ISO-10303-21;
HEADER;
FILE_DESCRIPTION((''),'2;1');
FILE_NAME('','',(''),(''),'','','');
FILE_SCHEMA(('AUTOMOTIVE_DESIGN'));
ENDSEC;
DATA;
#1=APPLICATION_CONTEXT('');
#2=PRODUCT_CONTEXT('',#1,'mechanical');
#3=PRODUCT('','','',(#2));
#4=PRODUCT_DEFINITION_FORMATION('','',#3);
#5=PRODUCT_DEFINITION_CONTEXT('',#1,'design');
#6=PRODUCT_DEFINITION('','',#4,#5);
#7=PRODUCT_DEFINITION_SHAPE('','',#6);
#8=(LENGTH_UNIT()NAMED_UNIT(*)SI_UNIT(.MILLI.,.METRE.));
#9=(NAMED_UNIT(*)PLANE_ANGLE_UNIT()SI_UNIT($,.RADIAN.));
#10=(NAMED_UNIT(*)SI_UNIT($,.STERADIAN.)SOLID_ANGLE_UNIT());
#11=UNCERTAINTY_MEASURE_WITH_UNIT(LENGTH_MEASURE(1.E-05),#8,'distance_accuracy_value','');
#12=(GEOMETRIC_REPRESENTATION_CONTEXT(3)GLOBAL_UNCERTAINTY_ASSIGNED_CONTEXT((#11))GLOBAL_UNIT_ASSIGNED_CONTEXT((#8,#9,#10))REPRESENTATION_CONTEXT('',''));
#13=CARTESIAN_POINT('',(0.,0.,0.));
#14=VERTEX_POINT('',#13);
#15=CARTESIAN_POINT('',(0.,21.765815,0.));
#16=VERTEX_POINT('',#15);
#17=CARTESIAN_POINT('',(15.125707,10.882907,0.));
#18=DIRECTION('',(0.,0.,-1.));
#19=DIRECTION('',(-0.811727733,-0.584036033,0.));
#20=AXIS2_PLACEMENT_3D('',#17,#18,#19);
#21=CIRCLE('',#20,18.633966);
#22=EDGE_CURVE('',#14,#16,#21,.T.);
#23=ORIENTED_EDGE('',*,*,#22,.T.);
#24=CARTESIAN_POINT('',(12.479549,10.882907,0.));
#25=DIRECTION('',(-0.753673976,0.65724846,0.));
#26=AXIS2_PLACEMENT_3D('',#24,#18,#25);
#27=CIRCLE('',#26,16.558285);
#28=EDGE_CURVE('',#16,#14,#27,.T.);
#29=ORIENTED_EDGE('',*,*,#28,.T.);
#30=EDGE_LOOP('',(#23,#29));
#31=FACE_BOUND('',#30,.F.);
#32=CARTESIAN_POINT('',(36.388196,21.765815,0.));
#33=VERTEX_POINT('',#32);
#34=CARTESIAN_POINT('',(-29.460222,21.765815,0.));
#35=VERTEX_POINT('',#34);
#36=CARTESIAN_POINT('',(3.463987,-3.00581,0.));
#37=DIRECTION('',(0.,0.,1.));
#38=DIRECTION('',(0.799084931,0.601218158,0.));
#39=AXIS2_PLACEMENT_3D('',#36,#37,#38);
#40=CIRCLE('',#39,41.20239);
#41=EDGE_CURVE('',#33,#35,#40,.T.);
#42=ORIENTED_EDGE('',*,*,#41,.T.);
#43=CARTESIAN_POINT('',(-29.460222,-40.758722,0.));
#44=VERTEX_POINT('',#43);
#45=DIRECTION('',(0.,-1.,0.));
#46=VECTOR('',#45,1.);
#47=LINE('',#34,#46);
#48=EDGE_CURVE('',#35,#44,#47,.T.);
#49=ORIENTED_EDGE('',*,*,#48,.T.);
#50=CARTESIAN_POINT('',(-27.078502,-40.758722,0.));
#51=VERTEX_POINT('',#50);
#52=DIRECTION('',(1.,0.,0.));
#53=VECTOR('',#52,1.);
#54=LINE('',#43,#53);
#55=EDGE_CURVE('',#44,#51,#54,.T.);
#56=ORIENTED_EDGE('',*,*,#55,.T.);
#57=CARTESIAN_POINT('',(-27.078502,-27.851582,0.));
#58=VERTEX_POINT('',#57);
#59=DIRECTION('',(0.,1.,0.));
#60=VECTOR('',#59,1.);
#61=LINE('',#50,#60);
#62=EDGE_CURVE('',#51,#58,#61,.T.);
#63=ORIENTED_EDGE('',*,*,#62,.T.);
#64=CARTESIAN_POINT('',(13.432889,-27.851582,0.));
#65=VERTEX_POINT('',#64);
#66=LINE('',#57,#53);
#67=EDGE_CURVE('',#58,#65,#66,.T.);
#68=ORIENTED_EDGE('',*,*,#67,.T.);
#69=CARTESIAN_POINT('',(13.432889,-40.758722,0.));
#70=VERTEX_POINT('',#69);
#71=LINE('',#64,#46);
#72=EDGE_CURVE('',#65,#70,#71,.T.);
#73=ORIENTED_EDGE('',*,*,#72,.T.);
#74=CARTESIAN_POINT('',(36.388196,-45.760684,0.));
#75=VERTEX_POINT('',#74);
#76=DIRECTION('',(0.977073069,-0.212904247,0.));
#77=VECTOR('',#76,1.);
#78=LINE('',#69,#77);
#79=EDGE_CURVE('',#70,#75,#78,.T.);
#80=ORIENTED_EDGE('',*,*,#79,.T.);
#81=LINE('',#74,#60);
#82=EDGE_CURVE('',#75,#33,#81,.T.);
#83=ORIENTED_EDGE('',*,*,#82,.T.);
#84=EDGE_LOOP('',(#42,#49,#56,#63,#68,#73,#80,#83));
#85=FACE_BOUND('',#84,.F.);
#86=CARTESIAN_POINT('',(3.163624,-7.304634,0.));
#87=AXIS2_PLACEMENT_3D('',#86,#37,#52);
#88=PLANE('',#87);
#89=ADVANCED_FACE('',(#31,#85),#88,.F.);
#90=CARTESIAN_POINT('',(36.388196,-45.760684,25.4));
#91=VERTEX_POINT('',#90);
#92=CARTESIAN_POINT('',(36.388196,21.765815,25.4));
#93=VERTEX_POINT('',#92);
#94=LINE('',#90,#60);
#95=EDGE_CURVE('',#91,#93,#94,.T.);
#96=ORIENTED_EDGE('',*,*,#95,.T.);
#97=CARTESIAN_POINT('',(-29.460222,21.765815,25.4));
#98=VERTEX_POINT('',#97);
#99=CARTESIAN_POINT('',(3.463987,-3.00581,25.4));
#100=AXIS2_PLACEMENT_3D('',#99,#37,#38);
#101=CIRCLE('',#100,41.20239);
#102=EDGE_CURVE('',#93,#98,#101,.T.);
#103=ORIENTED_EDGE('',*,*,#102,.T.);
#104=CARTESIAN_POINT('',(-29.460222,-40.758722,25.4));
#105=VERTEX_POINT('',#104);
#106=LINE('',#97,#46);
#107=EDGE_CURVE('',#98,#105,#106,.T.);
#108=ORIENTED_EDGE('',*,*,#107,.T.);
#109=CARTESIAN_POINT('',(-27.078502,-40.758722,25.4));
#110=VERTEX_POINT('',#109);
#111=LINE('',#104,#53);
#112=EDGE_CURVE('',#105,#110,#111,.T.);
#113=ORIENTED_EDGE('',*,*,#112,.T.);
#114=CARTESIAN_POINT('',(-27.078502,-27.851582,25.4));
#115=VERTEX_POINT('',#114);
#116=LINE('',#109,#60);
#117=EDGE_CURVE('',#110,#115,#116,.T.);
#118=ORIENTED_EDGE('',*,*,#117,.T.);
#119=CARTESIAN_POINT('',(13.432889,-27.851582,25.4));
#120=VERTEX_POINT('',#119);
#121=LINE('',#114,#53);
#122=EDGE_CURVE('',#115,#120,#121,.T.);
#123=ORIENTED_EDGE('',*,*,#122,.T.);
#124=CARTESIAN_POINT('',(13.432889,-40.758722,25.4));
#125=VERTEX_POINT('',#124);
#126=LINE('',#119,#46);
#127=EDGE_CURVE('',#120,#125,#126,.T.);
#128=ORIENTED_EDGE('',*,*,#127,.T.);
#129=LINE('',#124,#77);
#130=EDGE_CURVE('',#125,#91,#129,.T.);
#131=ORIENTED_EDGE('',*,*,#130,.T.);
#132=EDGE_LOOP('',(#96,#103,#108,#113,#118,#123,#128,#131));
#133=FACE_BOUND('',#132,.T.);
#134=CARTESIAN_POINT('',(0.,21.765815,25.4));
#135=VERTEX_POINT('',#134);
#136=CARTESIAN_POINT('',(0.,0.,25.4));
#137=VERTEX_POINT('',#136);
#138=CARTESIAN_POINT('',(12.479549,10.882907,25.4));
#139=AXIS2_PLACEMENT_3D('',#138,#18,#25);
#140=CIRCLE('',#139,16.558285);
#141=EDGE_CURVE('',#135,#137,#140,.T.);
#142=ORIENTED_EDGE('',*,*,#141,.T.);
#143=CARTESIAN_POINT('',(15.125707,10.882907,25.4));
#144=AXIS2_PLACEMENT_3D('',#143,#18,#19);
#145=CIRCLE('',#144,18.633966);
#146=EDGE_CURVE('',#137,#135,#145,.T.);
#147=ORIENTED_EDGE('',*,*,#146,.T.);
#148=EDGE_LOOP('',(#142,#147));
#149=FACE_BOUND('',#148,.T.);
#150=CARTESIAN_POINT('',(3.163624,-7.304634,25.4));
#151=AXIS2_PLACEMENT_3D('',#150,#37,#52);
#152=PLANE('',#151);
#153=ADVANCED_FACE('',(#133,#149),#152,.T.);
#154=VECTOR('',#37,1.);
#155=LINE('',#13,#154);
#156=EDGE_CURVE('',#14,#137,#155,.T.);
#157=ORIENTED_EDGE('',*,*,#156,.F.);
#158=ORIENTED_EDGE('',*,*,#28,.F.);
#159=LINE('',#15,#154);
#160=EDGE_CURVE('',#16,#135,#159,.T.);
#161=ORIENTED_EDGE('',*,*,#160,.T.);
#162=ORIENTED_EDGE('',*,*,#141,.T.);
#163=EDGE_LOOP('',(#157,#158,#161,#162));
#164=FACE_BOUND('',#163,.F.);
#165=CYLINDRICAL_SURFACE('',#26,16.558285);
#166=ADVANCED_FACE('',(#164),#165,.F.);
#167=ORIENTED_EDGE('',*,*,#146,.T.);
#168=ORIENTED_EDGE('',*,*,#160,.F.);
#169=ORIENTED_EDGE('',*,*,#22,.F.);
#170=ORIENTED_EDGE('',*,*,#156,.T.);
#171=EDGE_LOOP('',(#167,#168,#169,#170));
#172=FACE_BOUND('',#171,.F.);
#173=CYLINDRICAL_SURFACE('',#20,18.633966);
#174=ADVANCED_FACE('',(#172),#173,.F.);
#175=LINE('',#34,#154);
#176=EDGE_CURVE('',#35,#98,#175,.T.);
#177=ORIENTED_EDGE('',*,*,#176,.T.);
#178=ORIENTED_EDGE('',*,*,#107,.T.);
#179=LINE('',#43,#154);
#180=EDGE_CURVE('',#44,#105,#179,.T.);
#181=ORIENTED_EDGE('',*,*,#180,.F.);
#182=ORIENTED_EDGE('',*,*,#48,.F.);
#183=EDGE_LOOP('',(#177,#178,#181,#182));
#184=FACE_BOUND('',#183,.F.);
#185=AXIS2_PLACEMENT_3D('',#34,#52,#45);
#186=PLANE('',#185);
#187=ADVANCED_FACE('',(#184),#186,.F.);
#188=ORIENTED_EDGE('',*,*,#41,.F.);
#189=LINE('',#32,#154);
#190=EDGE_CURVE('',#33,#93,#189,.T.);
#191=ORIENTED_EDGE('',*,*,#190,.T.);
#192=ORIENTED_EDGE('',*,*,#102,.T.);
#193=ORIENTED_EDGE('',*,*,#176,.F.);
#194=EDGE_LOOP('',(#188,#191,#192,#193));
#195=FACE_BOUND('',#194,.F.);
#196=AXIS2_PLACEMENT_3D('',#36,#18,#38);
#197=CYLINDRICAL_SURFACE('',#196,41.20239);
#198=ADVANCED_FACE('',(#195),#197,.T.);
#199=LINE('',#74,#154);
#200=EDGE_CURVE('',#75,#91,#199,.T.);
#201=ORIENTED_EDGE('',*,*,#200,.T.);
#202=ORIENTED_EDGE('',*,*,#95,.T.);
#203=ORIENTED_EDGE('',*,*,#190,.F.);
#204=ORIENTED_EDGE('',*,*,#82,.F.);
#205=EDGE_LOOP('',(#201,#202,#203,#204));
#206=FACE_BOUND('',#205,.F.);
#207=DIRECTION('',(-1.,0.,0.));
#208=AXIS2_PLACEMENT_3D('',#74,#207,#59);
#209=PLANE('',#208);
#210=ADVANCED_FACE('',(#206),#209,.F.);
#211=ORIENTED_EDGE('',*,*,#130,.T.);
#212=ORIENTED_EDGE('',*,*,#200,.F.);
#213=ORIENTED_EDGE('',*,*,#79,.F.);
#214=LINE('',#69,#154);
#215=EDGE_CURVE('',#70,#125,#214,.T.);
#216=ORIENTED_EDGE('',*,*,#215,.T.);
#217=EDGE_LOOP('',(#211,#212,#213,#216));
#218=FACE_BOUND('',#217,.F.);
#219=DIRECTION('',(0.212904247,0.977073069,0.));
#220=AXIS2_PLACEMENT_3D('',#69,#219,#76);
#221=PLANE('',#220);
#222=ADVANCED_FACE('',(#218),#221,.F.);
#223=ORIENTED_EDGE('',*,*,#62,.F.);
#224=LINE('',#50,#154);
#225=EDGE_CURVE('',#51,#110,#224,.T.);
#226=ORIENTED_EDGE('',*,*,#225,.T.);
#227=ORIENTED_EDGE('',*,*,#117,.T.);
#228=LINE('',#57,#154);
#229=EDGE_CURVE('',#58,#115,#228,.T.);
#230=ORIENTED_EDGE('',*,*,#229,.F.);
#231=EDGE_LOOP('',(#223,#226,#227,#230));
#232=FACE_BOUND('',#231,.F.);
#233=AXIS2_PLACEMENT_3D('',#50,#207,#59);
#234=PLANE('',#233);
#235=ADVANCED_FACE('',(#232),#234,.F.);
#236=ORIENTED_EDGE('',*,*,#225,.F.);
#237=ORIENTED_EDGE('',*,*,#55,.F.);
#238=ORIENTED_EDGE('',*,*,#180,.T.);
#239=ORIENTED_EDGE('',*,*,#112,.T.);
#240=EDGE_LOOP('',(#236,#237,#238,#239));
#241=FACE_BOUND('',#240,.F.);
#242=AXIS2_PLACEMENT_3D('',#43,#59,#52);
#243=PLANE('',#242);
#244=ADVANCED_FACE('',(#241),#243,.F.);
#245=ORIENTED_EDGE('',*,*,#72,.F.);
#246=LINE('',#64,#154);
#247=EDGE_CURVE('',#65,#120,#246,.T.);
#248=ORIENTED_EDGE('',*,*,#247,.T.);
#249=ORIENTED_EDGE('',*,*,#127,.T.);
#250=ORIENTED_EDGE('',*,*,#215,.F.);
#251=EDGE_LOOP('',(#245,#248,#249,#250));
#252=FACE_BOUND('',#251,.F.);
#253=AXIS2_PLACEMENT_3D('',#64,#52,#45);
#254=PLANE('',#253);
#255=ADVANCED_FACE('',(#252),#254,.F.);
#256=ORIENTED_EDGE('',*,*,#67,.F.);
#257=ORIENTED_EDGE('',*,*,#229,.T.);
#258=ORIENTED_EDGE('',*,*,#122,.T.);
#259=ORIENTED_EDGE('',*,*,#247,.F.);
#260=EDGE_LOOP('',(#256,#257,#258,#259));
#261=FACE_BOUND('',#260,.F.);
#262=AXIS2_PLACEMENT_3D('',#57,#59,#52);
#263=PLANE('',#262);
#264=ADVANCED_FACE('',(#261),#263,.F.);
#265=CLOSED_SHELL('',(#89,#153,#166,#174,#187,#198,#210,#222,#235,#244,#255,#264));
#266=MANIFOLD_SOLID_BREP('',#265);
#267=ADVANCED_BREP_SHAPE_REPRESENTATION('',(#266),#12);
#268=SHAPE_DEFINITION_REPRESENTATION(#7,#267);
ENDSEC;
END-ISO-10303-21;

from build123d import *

# Parameters (mm, degrees)
F1_DEPTH = 25.4


with BuildPart() as f1:
    # F0 (on Top) → F1 (new body)
    with BuildSketch(Plane.XY):
        with BuildLine():
            Line((-29.460222, 21.765815), (-29.460222, -40.758722))
            Line((-29.460222, -40.758722), (-27.078502, -40.758722))
            Line((-27.078502, -40.758722), (-27.078502, -27.851582))
            Line((-27.078502, -27.851582), (13.432889, -27.851582))
            Line((13.432889, -27.851582), (13.432889, -40.758722))
            Line((13.432889, -40.758722), (36.388196, -45.760684))
            Line((36.388196, -45.760684), (36.388196, 21.765815))
            ThreePointArc((36.388196, 21.765815), (3.463987, 38.19658), (-29.460222, 21.765815))
        make_face()
        with BuildLine():
            ThreePointArc((0, 21.765815), (29.037834, 10.882908), (0, 0))
            ThreePointArc((0, 0), (-3.508259, 10.882908), (0, 21.765815))
        make_face(mode=Mode.SUBTRACT)
    extrude(amount=F1_DEPTH)


solid = f1.part
